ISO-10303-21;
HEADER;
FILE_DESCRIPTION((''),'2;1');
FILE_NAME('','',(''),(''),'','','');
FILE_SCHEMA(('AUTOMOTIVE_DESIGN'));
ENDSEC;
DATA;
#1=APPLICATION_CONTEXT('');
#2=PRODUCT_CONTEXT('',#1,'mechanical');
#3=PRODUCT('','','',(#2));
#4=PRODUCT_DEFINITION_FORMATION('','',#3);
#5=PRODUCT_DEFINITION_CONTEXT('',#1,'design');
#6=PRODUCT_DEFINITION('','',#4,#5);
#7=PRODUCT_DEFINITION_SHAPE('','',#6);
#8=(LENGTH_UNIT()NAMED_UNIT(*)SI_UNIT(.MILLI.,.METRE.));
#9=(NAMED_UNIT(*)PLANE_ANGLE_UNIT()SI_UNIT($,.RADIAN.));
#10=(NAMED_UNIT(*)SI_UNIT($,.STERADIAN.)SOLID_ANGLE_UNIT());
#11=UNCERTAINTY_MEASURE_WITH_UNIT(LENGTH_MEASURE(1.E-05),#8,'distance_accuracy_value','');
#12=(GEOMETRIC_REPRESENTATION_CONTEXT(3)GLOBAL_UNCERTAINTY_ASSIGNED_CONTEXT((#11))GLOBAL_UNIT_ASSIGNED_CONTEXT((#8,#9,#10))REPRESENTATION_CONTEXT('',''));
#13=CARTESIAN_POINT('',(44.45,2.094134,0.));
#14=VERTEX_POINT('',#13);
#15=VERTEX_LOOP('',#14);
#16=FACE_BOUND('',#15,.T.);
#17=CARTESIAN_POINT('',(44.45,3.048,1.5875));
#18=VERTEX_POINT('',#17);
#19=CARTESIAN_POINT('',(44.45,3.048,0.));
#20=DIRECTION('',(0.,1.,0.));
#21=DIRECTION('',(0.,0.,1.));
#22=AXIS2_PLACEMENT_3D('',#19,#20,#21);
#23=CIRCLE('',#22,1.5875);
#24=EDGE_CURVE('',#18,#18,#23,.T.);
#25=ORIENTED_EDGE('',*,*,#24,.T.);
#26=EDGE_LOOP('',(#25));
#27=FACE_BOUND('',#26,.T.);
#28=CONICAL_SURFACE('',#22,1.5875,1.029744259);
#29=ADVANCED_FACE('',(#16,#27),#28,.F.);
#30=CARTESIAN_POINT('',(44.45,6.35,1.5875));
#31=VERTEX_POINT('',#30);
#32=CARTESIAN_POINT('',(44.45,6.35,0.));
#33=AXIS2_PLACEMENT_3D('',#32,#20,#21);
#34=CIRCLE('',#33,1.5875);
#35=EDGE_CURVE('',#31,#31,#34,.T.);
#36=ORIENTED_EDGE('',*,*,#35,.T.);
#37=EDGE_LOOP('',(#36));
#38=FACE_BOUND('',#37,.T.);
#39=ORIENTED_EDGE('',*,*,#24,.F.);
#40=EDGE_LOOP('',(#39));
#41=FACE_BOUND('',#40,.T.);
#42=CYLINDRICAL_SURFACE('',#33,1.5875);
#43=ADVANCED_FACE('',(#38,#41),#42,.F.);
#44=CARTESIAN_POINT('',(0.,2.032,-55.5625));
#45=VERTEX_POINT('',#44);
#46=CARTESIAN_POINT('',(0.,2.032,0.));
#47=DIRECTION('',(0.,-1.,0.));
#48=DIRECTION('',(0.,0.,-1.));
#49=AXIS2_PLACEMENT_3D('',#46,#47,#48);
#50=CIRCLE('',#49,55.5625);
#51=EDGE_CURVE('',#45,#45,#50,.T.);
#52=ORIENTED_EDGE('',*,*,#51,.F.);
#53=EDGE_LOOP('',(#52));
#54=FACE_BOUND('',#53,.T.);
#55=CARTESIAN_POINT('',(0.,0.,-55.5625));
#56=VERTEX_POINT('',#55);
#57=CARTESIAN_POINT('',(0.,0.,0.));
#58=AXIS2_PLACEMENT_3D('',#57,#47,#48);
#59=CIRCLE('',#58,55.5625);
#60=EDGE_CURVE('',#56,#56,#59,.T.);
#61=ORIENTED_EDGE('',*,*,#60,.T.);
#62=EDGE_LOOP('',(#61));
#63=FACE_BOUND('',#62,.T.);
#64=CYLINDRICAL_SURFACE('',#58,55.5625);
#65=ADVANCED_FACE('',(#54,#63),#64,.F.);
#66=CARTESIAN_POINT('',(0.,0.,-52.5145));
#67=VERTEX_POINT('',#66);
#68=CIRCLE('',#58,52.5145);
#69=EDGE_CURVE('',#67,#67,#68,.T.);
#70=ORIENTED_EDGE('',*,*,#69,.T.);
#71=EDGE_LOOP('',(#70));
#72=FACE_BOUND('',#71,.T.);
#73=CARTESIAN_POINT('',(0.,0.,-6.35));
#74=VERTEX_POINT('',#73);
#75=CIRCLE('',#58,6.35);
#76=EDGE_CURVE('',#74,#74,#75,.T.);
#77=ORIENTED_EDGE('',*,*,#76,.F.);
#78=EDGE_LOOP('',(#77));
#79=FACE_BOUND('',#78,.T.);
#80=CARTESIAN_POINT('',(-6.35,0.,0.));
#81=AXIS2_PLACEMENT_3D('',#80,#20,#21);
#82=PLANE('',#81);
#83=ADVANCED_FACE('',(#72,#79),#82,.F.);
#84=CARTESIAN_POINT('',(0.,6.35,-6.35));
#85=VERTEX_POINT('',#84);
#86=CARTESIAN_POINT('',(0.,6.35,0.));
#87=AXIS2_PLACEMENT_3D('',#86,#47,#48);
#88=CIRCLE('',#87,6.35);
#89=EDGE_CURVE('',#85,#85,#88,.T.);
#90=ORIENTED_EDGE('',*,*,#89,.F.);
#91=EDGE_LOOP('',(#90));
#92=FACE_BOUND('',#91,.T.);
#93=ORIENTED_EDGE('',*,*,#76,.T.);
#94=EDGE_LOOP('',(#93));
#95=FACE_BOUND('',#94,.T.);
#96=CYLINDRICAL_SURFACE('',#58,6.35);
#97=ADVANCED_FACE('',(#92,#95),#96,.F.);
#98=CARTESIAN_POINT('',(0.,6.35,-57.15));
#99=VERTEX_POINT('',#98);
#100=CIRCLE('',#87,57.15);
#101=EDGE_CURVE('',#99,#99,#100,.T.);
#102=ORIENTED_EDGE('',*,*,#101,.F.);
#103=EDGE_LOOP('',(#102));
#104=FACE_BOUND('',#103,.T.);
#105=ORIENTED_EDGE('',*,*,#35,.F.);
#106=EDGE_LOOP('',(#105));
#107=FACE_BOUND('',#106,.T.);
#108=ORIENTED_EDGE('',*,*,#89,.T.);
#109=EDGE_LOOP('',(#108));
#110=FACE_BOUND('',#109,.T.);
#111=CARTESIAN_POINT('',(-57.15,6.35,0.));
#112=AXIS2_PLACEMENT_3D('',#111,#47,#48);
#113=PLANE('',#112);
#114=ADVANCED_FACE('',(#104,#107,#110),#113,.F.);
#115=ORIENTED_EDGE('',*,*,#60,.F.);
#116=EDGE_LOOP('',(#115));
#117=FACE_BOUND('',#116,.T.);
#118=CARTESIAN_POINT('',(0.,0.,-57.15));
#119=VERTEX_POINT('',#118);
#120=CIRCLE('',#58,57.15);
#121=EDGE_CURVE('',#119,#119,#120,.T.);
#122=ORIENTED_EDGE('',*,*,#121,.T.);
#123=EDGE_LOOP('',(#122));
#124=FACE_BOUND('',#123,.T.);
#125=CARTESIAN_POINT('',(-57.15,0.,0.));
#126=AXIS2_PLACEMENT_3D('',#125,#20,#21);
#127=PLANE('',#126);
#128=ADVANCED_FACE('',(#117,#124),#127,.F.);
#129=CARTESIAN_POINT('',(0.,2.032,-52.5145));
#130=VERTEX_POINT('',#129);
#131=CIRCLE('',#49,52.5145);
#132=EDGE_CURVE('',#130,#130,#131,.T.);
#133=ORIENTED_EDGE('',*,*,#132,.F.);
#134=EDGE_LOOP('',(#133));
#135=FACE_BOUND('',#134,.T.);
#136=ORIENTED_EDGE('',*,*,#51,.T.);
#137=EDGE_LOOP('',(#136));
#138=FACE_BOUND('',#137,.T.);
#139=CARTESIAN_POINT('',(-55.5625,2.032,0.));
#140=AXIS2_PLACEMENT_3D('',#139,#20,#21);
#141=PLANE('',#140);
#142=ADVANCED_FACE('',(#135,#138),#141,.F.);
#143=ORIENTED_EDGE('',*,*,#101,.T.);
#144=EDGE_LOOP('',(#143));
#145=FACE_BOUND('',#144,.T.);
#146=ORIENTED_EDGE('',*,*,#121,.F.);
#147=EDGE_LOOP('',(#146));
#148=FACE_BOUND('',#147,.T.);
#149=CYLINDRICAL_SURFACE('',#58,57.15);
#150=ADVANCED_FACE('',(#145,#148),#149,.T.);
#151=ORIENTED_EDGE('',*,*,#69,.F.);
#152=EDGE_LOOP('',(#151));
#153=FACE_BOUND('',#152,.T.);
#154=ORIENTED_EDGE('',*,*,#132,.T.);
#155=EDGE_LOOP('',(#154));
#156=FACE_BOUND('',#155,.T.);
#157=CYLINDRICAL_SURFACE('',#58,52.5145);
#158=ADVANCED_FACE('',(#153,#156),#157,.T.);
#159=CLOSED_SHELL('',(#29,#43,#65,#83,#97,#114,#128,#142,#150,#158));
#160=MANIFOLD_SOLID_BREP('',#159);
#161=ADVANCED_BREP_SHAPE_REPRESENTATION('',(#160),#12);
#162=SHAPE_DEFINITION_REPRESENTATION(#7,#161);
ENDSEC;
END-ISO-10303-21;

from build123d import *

# Parameters (mm, degrees)
F_1_8_0_125_DIAMETER_HOLE1_D     = 3.175
F_1_8_0_125_DIAMETER_HOLE1_DEPTH = 3.302
F_1_8_0_125_DIAMETER_HOLE1_TIP   = 0.953866233


with BuildPart() as part:
    # Sketch1 → Revolve1 (revolve)
    with BuildSketch(Plane.XY):
        Polygon((-6.35, 0), (-52.5145, 0), (-52.5145, 2.032), (-55.5625, 2.032), (-55.5625, 0), (-57.15, 0), (-57.15, 6.35), (-6.35, 6.35), align=None)
    revolve(axis=Axis((0, 0, 0), (0, 1, 0)))

    # 1/8 (0.125) Diameter Hole1
    with Locations(Plane(origin=(0, 6.35, 0), x_dir=(1, 0, 0), z_dir=(0, 1, 0))):
        with Locations((44.45, 0)):
            Hole(F_1_8_0_125_DIAMETER_HOLE1_D / 2, depth=F_1_8_0_125_DIAMETER_HOLE1_DEPTH)
            with Locations((0, 0, -(F_1_8_0_125_DIAMETER_HOLE1_DEPTH + F_1_8_0_125_DIAMETER_HOLE1_TIP / 2))):  # 118° drill point
                Cone(0, F_1_8_0_125_DIAMETER_HOLE1_D / 2, F_1_8_0_125_DIAMETER_HOLE1_TIP, mode=Mode.SUBTRACT)


solid = part.part
